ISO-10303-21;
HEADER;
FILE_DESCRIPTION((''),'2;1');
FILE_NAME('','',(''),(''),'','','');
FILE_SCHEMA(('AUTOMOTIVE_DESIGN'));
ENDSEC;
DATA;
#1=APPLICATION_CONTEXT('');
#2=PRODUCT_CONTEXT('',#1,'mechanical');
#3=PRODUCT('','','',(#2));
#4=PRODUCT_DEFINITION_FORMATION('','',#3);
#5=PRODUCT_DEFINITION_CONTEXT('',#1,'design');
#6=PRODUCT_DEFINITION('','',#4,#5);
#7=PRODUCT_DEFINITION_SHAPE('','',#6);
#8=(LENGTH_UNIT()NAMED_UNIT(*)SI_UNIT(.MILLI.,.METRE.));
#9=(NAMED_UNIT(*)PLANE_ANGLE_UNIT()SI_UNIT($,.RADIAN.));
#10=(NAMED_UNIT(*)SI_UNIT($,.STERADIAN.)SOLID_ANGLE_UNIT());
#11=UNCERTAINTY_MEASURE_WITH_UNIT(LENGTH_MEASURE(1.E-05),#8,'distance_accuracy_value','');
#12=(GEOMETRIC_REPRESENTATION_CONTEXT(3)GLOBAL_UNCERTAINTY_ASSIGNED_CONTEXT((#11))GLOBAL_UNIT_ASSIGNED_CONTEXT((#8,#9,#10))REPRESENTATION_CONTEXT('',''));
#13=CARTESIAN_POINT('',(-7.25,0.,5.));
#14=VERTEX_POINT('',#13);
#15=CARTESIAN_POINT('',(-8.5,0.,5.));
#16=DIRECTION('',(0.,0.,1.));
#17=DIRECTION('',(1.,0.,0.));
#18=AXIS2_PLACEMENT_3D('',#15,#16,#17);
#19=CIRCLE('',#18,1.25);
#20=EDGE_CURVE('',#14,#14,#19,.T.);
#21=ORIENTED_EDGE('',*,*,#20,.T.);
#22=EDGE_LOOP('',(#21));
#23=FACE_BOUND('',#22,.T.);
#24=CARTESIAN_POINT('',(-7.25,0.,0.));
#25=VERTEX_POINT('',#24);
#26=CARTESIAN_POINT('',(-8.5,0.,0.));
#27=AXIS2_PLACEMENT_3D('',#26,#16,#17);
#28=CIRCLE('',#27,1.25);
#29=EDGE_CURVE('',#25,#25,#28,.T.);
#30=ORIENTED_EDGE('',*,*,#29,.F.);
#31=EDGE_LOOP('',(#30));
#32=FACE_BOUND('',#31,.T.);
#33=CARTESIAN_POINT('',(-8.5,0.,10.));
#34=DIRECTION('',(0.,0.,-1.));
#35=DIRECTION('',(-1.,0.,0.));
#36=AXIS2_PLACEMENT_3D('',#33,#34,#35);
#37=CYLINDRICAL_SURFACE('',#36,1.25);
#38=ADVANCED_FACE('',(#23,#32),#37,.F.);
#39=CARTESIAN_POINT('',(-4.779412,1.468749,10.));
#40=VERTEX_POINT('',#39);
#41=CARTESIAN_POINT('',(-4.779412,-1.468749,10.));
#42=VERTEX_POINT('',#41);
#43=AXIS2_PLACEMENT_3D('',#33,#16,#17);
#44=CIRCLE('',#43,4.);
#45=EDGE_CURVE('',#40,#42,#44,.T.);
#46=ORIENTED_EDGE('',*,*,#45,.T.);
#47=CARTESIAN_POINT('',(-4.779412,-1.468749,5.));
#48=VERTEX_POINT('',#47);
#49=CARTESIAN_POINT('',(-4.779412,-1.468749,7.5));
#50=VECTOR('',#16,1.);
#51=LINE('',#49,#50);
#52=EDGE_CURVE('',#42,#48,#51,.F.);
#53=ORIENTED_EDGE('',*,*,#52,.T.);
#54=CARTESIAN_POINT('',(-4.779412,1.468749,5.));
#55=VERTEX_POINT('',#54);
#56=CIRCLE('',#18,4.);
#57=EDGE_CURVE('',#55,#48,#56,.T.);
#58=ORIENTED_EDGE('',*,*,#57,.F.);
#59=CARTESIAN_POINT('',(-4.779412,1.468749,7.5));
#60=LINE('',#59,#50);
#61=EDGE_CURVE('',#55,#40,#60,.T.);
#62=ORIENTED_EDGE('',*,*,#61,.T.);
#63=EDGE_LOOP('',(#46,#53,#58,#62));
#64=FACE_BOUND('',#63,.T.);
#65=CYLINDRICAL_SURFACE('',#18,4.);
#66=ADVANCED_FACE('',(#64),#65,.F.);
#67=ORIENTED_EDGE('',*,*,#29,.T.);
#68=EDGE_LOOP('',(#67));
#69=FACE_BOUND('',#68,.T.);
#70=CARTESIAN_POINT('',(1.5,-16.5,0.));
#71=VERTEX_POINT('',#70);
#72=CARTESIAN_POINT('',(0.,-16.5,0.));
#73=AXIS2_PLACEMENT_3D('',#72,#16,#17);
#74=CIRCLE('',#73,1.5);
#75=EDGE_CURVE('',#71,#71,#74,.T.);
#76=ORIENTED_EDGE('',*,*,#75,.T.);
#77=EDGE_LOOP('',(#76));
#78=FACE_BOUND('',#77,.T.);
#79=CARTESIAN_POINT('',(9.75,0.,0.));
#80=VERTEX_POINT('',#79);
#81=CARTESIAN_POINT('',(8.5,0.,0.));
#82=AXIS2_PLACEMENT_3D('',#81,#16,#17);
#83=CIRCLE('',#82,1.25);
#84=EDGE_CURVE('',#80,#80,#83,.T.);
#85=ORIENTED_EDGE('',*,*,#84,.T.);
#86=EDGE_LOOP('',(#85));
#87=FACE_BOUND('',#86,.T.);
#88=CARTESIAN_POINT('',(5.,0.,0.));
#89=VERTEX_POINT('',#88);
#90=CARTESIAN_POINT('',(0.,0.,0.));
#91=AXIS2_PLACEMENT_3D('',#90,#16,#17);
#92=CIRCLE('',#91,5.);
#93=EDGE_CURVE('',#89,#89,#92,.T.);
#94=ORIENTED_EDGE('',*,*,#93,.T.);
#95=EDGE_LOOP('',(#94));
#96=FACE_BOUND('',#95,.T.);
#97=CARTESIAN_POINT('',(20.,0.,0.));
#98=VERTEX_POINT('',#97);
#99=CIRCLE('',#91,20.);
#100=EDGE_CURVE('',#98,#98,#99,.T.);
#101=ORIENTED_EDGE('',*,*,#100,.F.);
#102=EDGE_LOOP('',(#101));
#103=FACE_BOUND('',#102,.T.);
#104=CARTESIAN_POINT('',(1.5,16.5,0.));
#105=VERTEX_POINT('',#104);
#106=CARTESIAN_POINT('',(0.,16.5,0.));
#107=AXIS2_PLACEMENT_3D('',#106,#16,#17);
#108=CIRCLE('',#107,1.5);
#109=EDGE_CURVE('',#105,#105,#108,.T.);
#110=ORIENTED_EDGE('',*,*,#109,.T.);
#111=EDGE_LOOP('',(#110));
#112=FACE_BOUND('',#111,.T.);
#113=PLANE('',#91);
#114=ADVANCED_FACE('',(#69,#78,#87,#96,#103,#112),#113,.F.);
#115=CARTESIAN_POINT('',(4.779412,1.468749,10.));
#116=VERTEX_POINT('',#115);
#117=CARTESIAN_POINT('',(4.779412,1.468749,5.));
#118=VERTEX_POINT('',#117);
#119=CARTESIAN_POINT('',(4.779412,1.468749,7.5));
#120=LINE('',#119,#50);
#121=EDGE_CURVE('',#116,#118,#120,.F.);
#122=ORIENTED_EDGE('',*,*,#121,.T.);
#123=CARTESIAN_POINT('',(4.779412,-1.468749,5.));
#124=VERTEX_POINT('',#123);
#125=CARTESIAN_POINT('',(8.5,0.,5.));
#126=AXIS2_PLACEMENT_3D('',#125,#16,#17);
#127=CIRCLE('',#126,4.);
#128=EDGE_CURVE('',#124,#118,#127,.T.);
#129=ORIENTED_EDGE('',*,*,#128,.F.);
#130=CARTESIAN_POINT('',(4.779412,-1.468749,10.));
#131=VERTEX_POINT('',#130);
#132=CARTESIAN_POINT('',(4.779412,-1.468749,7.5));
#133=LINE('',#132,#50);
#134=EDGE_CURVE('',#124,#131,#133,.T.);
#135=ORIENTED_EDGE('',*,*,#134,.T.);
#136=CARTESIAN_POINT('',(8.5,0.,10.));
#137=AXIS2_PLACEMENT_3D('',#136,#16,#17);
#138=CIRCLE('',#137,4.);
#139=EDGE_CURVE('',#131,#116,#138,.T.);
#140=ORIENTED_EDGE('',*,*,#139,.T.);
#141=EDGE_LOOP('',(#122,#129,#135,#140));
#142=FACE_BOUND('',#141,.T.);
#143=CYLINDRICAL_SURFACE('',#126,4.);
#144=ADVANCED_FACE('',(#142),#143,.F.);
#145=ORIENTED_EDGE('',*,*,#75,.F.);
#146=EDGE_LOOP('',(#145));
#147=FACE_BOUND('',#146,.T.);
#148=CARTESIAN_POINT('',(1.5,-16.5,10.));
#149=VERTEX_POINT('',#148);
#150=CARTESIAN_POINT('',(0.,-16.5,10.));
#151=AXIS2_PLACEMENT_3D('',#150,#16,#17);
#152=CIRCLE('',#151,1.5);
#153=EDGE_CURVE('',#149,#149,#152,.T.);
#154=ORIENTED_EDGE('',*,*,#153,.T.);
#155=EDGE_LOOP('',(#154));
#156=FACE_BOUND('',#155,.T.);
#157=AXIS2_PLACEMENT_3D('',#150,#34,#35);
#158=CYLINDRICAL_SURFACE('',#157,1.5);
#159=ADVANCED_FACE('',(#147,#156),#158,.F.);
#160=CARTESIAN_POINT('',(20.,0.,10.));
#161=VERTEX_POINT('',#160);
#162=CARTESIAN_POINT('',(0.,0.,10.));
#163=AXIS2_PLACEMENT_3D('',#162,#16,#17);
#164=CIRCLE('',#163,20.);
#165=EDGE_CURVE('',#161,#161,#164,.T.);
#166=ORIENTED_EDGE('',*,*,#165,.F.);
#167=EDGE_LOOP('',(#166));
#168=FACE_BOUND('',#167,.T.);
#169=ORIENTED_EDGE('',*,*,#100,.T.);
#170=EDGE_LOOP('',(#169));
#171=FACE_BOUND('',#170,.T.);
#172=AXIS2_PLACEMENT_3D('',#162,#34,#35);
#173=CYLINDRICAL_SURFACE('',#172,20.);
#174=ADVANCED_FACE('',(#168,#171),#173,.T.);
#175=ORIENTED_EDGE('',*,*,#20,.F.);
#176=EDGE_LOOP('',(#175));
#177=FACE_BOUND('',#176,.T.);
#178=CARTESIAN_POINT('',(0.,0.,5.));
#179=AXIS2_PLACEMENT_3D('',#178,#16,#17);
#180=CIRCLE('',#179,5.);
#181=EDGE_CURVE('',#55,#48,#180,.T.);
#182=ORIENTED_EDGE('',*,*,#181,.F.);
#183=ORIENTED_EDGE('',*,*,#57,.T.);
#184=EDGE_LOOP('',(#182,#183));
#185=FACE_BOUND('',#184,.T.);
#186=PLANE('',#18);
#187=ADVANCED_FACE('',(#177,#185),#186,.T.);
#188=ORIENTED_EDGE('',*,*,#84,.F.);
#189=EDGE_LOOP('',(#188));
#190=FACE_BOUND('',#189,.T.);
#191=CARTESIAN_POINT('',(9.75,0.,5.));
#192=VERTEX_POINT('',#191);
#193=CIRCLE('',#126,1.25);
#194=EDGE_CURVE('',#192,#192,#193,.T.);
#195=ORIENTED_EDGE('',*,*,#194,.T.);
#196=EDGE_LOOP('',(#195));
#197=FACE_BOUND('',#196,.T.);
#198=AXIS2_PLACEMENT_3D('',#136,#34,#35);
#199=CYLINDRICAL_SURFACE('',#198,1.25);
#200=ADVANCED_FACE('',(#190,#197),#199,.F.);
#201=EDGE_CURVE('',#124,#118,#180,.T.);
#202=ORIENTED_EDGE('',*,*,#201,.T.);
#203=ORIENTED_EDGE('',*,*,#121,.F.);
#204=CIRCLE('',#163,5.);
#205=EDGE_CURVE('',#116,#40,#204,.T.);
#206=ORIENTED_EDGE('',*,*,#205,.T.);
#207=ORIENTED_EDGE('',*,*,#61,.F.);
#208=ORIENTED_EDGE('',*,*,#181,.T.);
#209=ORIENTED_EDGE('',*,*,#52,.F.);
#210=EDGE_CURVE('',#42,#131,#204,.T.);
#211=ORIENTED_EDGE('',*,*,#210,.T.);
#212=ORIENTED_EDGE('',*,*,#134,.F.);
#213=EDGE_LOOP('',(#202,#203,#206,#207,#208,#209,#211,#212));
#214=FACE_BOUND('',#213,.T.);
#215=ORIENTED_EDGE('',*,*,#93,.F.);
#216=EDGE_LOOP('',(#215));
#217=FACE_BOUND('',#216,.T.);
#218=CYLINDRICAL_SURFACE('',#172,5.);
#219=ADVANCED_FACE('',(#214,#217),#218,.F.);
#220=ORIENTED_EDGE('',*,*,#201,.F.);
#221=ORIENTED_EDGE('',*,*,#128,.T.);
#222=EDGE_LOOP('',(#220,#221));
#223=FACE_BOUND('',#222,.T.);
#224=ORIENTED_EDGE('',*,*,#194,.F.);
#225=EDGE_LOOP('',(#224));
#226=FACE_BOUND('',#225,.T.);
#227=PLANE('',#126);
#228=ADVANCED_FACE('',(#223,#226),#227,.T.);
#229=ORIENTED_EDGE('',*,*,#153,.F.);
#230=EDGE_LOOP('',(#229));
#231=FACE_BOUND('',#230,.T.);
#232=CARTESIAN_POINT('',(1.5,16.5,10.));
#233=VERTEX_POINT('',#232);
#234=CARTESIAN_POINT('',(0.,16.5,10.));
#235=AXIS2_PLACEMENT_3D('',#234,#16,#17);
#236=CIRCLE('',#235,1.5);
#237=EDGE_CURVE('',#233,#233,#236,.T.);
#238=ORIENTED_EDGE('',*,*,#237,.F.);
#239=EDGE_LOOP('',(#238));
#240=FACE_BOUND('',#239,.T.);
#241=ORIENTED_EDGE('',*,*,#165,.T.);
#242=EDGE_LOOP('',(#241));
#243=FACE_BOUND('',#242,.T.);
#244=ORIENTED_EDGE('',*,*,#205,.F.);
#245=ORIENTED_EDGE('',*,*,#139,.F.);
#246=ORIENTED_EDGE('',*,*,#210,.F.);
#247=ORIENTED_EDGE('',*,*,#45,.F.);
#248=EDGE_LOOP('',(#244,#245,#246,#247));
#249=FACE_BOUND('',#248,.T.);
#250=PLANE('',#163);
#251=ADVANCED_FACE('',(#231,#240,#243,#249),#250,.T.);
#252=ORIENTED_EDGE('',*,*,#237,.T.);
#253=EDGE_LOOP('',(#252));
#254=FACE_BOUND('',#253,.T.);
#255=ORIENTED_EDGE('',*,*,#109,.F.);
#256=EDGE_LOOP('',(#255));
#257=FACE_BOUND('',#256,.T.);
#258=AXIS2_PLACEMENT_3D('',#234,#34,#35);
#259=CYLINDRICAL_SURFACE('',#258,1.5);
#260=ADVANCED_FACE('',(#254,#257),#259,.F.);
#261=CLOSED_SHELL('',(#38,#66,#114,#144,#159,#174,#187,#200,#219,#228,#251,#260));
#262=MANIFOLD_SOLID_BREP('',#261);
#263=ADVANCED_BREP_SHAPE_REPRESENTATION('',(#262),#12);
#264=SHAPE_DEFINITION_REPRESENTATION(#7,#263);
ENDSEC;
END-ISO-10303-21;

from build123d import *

# Parameters (mm, degrees)
SKETCH1_R           = 20
SKETCH1_R_2         = 1.25
SKETCH1_R_3         = 5
SKETCH1_R_4         = 1.5
BOSS_EXTRUDE1_DEPTH = 10
SKETCH2_R           = 4
CUT_EXTRUDE1_DEPTH  = 5


with BuildPart() as part:
    # Sketch1 → Boss-Extrude1 (new body)
    with BuildSketch(Plane.XY):
        Circle(SKETCH1_R)
        with Locations((-8.5, 0)):
            Circle(SKETCH1_R_2, mode=Mode.SUBTRACT)
        with Locations((8.5, 0)):
            Circle(SKETCH1_R_2, mode=Mode.SUBTRACT)
        Circle(SKETCH1_R_3, mode=Mode.SUBTRACT)
        with Locations((0, 16.5)):
            Circle(SKETCH1_R_4, mode=Mode.SUBTRACT)
        with Locations((0, -16.5)):
            Circle(SKETCH1_R_4, mode=Mode.SUBTRACT)
    extrude(amount=BOSS_EXTRUDE1_DEPTH)

    # Sketch2 → Cut-Extrude1 (cut)
    with BuildSketch(Plane.XY.offset(10)):
        with Locations((8.5, 0)):
            Circle(SKETCH2_R)
        with Locations((-8.5, 0)):
            Circle(SKETCH2_R)
    extrude(amount=-CUT_EXTRUDE1_DEPTH, mode=Mode.SUBTRACT)


solid = part.part
